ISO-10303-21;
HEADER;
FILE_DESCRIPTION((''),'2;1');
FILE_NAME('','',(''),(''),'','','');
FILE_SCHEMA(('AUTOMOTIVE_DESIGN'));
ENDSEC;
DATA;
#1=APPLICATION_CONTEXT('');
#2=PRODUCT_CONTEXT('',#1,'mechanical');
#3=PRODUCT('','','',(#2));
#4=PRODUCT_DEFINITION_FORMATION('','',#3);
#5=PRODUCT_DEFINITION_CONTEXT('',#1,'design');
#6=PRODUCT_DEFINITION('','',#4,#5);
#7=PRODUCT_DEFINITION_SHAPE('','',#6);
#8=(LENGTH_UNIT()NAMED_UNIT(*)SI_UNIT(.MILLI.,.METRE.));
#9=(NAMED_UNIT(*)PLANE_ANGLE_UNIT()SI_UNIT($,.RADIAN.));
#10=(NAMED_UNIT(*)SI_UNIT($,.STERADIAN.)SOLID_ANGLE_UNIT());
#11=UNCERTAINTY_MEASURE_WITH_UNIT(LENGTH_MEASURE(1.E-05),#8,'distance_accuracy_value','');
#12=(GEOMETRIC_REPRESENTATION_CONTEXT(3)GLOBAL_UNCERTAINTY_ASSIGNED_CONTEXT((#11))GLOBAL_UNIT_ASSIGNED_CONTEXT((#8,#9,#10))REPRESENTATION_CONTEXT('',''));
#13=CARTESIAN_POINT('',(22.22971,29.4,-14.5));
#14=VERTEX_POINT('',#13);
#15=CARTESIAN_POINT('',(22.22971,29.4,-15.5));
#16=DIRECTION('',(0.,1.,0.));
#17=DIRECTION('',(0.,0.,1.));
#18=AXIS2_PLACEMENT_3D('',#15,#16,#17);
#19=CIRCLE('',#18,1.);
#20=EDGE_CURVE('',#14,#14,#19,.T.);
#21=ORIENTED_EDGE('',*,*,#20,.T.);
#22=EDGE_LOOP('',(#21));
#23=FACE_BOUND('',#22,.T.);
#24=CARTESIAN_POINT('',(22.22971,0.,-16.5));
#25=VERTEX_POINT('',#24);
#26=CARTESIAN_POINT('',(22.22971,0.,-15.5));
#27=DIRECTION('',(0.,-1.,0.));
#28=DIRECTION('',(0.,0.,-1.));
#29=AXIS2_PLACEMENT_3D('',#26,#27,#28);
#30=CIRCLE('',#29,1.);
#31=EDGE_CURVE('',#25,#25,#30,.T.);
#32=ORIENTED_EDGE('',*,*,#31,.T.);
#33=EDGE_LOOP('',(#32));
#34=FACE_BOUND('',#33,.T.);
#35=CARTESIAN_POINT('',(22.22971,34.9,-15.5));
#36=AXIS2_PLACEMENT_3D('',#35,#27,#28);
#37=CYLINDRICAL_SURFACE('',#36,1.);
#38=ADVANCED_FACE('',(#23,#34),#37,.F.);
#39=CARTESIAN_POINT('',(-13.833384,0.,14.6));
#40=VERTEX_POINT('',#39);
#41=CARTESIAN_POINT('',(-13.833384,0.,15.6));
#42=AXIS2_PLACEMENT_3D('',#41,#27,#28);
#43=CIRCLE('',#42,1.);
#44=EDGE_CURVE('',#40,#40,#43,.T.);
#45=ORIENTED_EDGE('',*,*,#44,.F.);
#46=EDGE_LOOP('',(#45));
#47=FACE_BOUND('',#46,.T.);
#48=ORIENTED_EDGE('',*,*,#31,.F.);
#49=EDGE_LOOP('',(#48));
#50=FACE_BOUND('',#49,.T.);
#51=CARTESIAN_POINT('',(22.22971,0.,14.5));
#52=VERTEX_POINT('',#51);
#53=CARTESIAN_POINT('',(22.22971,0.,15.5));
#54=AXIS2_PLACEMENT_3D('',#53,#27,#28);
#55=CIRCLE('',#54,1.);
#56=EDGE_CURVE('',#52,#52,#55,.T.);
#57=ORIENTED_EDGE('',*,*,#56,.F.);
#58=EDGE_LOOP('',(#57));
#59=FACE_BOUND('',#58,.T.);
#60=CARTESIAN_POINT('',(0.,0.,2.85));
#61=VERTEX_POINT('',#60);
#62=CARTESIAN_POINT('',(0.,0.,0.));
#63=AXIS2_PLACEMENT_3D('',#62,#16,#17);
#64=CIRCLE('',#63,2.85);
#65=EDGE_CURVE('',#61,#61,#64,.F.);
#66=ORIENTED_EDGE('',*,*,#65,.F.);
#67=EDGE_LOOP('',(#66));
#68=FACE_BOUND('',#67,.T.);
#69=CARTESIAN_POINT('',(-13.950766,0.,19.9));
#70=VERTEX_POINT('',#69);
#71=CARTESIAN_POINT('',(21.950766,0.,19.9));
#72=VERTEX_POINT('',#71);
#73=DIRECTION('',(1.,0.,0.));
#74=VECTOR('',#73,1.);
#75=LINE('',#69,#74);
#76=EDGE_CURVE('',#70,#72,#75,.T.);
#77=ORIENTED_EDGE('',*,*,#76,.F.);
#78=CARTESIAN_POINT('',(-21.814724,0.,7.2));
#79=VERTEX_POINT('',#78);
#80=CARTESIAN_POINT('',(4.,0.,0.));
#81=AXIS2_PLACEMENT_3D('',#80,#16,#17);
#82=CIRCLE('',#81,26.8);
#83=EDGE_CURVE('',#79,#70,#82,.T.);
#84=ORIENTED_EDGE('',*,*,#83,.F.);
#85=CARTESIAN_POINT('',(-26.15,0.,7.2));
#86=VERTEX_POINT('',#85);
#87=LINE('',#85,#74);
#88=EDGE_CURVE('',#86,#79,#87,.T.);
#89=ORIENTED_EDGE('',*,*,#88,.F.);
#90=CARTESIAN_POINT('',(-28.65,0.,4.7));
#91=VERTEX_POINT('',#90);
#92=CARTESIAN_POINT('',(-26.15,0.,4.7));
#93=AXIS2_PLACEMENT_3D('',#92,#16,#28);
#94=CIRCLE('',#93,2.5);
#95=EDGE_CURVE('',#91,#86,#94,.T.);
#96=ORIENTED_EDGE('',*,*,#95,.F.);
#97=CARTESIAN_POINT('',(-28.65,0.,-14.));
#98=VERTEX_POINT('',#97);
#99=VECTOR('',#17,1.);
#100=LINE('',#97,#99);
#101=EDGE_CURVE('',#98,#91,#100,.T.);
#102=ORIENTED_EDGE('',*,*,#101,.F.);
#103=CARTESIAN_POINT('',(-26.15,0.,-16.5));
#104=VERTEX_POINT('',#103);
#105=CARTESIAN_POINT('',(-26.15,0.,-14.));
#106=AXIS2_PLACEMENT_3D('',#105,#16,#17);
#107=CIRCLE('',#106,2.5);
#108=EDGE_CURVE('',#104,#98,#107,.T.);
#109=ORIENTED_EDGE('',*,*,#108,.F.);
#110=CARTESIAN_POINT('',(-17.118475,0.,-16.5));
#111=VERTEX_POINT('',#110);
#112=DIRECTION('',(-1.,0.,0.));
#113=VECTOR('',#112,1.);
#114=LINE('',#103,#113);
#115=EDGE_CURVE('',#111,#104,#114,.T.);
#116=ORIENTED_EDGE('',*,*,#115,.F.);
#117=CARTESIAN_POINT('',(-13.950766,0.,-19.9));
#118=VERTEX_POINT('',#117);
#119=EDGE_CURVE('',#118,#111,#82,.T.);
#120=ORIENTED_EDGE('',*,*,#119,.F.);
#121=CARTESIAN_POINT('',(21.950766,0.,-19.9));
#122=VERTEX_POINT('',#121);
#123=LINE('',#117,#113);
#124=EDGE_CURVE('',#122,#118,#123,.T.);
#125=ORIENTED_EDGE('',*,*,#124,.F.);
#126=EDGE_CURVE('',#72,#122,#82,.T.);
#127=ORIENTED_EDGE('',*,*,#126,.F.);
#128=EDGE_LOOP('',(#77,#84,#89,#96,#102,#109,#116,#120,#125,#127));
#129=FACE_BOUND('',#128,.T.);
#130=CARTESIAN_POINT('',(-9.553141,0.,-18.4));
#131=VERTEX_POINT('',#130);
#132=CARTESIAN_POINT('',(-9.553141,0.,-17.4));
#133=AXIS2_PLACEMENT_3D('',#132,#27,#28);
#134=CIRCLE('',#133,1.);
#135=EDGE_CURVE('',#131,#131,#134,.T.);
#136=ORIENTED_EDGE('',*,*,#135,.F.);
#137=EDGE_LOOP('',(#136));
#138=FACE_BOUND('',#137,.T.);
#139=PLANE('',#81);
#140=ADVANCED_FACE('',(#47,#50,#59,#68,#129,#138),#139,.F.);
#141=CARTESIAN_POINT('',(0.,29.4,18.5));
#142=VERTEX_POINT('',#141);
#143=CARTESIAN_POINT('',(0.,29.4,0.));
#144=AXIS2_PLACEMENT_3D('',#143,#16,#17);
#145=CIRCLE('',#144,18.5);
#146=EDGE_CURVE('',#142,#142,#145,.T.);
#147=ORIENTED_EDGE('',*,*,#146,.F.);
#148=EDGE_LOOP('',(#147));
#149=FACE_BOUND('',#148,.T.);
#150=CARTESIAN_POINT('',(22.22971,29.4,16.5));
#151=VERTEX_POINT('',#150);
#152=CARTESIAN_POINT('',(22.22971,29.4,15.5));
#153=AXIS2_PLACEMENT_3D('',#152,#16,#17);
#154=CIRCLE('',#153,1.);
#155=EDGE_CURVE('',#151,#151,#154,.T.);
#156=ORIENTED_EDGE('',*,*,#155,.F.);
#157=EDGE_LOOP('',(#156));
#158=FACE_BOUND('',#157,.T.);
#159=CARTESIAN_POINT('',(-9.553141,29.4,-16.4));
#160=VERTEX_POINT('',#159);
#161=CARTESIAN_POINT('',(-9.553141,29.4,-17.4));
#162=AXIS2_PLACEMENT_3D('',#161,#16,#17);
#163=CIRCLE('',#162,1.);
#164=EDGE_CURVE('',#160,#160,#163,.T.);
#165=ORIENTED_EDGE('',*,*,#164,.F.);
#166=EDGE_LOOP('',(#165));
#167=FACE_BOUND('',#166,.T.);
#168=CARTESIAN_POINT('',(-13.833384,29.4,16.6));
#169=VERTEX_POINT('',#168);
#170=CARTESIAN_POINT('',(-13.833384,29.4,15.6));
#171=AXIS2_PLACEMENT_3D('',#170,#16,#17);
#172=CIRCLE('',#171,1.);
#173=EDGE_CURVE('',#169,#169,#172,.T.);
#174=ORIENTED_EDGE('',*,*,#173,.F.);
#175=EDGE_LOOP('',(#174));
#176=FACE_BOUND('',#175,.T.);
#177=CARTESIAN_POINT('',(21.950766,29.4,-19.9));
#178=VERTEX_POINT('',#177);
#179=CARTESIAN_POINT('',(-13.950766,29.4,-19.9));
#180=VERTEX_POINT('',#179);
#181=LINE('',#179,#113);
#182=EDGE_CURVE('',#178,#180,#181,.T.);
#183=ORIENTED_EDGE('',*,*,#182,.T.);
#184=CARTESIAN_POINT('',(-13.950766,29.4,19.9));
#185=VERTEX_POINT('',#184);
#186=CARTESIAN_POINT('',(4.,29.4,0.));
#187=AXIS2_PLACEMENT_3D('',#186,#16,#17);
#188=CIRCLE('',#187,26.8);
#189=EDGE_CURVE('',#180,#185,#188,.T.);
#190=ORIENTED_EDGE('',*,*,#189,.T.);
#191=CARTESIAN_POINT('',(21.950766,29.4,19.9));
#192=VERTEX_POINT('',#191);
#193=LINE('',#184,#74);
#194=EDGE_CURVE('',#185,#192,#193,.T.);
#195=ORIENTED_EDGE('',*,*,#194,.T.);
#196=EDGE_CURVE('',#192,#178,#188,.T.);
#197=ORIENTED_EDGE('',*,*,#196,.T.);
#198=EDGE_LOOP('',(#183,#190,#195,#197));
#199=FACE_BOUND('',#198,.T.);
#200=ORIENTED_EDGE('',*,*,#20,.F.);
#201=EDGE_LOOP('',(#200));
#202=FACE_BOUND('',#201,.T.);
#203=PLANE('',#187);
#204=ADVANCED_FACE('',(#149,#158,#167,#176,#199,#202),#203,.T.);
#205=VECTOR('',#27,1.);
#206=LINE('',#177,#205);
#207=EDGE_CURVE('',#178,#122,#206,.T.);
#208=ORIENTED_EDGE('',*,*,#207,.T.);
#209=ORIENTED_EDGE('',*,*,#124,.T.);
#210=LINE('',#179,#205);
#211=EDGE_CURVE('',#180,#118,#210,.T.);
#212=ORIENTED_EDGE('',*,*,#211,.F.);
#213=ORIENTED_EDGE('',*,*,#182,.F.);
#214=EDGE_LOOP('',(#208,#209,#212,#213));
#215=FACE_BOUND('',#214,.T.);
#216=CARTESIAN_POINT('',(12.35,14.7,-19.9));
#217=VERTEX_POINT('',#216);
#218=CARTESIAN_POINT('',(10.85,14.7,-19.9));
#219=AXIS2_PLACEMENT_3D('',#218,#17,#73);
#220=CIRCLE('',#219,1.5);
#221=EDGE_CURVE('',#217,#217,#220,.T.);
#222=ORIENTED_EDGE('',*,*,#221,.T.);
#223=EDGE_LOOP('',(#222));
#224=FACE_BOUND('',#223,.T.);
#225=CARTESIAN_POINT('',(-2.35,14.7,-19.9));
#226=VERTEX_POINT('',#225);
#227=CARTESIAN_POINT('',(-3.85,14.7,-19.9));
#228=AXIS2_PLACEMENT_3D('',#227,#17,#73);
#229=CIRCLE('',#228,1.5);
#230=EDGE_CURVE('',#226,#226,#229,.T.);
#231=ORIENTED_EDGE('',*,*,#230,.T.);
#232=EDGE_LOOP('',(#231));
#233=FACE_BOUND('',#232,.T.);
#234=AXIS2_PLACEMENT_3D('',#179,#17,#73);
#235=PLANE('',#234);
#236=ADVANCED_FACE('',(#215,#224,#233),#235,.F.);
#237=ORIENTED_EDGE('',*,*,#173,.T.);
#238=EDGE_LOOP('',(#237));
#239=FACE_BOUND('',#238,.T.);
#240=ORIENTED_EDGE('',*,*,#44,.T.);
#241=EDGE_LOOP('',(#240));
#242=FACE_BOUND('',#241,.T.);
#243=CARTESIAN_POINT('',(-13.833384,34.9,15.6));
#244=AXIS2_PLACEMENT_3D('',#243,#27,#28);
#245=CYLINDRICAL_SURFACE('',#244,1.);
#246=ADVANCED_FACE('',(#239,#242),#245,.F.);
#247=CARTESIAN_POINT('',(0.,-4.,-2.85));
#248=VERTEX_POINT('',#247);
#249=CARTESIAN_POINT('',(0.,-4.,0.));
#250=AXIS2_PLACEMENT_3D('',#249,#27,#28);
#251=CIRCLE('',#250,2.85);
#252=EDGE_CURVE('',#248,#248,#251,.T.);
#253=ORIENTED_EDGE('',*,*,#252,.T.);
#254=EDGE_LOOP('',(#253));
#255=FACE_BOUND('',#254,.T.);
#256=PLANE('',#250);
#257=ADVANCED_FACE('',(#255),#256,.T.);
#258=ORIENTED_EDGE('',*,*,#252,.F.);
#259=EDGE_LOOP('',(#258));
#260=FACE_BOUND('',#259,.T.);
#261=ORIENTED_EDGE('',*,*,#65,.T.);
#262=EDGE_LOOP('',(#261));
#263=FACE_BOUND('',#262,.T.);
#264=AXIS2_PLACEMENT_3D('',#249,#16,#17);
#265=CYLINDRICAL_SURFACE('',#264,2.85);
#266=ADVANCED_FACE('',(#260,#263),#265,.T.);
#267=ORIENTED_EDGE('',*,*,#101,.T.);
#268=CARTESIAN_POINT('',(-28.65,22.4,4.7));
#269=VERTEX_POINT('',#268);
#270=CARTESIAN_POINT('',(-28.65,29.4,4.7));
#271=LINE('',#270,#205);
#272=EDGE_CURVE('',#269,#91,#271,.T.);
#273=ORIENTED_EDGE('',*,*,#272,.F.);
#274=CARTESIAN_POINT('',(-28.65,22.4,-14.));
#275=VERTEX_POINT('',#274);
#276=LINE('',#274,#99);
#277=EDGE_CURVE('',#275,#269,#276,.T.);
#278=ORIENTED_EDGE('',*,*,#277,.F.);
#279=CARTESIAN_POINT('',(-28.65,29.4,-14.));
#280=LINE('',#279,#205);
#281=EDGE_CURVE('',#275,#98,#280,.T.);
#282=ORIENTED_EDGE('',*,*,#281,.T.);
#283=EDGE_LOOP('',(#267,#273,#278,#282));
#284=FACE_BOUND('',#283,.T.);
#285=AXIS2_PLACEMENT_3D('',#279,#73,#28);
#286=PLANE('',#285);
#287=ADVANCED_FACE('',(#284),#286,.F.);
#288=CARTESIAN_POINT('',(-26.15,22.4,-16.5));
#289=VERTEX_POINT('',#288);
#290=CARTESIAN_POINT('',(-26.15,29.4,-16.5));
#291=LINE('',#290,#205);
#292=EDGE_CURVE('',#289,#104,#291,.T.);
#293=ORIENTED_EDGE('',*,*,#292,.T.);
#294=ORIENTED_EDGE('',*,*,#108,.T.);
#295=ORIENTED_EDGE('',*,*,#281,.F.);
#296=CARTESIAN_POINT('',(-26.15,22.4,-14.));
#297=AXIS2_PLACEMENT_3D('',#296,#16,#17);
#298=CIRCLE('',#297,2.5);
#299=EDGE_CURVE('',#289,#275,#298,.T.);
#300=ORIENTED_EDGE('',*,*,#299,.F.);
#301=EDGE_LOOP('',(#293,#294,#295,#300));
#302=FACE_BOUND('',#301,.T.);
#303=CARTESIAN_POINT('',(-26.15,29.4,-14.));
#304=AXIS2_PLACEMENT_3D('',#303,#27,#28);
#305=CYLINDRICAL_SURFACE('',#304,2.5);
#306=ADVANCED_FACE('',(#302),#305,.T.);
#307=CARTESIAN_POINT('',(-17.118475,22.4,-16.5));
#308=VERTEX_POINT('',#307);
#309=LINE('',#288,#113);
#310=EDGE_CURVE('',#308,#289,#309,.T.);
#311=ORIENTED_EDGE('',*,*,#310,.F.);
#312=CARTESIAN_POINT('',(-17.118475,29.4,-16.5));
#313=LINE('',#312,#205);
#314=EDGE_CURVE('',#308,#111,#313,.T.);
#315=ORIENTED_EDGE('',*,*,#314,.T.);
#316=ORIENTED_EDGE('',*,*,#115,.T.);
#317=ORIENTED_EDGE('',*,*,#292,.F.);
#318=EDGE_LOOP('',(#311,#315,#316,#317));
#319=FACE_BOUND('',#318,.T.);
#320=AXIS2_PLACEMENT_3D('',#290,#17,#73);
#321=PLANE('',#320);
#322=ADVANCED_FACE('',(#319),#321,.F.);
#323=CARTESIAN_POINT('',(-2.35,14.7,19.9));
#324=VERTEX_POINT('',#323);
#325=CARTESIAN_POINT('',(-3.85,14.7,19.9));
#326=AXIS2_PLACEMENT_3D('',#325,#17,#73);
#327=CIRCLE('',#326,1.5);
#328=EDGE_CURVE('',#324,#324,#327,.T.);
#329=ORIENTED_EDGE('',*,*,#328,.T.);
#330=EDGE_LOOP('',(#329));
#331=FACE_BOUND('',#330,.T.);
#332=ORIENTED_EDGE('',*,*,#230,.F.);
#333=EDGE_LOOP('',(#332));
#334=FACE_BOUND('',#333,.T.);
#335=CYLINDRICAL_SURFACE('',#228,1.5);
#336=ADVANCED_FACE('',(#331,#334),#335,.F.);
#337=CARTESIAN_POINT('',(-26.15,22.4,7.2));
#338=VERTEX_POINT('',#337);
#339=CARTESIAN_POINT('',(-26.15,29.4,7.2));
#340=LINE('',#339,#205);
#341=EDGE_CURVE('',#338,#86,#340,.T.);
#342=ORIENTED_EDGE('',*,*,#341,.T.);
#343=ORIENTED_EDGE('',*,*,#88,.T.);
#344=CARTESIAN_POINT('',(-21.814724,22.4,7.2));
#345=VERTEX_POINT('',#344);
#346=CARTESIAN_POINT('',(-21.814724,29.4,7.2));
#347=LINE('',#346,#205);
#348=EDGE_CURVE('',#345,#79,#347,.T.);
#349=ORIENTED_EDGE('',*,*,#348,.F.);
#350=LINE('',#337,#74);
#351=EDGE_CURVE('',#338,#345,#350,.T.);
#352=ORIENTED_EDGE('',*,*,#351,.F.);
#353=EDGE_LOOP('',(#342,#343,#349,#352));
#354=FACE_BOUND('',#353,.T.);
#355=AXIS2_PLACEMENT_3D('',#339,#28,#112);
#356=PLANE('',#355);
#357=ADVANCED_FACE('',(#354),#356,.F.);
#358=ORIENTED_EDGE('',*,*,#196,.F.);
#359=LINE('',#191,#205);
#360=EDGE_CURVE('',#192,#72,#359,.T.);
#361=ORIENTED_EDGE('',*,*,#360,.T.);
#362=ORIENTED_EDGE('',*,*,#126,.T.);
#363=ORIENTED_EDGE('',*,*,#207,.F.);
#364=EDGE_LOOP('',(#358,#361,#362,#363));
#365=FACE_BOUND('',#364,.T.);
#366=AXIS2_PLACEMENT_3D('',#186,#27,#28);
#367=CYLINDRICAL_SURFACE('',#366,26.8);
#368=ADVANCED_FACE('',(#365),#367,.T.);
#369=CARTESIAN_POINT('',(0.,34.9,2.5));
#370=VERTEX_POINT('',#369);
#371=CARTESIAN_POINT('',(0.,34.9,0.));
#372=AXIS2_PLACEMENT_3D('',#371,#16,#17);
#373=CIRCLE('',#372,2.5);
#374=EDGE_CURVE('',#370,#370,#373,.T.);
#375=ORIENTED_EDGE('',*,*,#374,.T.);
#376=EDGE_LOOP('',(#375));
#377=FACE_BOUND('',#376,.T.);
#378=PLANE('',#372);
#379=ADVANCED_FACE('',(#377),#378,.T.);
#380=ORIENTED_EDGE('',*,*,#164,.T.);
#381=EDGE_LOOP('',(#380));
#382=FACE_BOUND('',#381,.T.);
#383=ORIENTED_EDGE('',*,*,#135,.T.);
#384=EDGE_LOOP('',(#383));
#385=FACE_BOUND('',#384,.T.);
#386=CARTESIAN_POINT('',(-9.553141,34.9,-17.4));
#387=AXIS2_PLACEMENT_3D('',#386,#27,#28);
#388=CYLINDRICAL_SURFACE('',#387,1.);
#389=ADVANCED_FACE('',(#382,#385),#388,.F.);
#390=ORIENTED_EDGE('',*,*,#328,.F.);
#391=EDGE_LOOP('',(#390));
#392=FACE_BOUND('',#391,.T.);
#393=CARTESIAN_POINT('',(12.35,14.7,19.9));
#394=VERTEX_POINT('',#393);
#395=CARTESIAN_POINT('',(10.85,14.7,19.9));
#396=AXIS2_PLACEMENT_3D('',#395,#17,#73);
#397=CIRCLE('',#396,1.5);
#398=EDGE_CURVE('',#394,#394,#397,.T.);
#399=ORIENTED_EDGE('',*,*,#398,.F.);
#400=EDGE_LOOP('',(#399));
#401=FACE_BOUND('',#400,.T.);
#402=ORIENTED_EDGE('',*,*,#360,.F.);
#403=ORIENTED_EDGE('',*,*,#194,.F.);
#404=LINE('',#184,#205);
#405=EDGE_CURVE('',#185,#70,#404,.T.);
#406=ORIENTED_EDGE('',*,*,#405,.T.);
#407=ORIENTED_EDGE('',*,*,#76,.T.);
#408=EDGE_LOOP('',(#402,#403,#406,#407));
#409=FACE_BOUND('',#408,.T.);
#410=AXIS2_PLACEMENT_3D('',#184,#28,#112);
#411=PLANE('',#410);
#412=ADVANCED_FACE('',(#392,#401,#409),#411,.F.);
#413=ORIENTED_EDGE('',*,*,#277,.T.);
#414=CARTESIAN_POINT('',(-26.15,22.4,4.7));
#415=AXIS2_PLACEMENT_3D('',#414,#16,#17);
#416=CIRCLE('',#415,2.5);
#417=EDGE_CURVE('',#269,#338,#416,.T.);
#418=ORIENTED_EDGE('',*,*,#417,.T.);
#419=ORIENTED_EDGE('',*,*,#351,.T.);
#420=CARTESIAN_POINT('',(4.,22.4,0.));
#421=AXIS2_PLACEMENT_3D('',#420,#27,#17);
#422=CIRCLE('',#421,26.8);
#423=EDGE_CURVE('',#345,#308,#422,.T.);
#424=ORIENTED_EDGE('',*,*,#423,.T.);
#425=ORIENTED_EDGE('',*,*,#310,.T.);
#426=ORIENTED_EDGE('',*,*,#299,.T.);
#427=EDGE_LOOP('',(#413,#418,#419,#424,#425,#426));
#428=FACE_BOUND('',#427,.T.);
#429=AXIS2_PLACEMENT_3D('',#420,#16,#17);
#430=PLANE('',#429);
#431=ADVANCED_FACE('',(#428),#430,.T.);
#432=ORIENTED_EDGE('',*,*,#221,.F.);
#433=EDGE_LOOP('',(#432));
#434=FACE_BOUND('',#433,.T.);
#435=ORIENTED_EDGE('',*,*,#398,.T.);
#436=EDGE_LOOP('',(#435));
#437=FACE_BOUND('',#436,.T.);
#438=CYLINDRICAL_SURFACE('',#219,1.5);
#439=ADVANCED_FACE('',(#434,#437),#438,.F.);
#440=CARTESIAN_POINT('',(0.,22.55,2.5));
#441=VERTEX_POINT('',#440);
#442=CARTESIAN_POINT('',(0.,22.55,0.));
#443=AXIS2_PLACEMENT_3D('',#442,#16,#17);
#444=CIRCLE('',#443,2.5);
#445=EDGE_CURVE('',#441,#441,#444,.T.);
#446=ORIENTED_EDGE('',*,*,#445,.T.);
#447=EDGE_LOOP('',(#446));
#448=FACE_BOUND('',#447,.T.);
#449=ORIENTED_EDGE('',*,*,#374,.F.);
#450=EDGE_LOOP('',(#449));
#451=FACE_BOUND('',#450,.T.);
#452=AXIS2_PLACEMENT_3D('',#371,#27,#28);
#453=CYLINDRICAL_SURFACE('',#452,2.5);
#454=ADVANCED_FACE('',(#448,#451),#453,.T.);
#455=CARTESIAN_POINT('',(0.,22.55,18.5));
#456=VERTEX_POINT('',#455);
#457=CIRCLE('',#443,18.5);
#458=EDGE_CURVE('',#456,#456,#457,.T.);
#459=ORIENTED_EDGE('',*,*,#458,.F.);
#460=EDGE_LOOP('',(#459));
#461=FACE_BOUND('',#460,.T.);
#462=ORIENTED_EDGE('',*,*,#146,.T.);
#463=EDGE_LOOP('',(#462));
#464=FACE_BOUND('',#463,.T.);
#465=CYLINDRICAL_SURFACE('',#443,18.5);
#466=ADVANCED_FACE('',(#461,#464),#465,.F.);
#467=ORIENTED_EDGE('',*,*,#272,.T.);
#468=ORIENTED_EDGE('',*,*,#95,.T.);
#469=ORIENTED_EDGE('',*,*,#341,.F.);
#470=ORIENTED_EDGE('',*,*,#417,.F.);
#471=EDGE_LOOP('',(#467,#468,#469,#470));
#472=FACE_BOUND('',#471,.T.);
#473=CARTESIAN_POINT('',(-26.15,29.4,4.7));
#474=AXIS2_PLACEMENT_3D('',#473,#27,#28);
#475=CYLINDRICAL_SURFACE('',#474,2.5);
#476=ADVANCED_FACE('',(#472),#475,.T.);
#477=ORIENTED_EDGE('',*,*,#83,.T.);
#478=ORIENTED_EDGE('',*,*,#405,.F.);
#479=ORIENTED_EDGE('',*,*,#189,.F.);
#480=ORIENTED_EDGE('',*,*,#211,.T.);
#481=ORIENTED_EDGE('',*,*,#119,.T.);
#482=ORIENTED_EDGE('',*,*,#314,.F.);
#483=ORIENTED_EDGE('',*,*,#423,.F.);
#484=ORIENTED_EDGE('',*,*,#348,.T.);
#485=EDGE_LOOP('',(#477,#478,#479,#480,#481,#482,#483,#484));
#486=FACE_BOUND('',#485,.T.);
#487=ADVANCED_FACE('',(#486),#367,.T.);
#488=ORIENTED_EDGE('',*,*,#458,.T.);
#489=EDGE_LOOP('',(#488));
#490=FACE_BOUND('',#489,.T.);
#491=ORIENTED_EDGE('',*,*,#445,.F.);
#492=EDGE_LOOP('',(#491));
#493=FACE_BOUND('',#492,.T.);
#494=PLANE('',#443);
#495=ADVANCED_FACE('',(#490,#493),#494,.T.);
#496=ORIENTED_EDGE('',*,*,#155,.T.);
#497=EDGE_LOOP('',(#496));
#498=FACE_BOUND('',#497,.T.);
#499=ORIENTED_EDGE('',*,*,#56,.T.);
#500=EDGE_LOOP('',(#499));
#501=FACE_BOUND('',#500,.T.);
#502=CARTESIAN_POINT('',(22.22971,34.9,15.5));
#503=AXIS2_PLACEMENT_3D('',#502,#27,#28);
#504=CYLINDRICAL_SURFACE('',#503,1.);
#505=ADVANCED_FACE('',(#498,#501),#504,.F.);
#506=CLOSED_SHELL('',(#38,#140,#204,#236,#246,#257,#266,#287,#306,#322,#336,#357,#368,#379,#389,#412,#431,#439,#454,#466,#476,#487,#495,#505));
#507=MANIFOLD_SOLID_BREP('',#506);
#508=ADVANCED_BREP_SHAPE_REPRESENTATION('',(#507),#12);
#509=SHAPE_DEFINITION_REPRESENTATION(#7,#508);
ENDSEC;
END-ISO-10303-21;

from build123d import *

# Parameters (mm, degrees)
BOSS_EXTRUDE1_DEPTH = 29.4
SKETCH2_R           = 18.5
CUT_EXTRUDE1_DEPTH  = 6.85
SKETCH3_R           = 2.5
BOSS_EXTRUDE2_DEPTH = 12.35
SKETCH4_R           = 2.85
BOSS_EXTRUDE3_DEPTH = 4
CUT_EXTRUDE3_DEPTH  = 7
SKETCH6_R           = 1.5
CUT_EXTRUDE4_DEPTH  = 40.8
SKETCH7_R           = 1
CUT_EXTRUDE5_DEPTH  = 35.9


with BuildPart() as part:
    # Sketch1 → Boss-Extrude1 (new body)
    with BuildSketch(Plane(origin=(0, 0, 0), x_dir=(1, 0, 0), z_dir=(0, 1, 0))):
        with BuildLine():
            Line((-13.950766, 19.9), (21.950766, 19.9))
            ThreePointArc((21.950766, 19.9), (30.8, 0), (21.950766, -19.9))
            Line((21.950766, -19.9), (-13.950766, -19.9))
            ThreePointArc((-13.950766, -19.9), (-18.785456749, -14.108967388), (-21.81472448, -7.2))
            Line((-21.81472448, -7.2), (-26.15, -7.2))
            ThreePointArc((-26.15, -7.2), (-27.917766953, -6.467766953), (-28.65, -4.7))
            Line((-28.65, -4.7), (-28.65, 14))
            ThreePointArc((-28.65, 14), (-27.917766953, 15.767766953), (-26.15, 16.5))
            Line((-26.15, 16.5), (-17.118475324, 16.5))
            ThreePointArc((-17.118475324, 16.5), (-15.608452372, 18.268787469), (-13.950766, 19.9))
        make_face()
    extrude(amount=BOSS_EXTRUDE1_DEPTH)

    # Sketch2 → Cut-Extrude1 (cut)
    with BuildSketch(Plane(origin=(0, 29.4, 0), x_dir=(1, 0, 0), z_dir=(0, 1, 0))):
        Circle(SKETCH2_R)
    extrude(amount=-CUT_EXTRUDE1_DEPTH, mode=Mode.SUBTRACT)

    # Sketch3 → Boss-Extrude2 (add)
    with BuildSketch(Plane(origin=(0, 22.55, 0), x_dir=(1, 0, 0), z_dir=(0, 1, 0))):
        Circle(SKETCH3_R)
    extrude(amount=BOSS_EXTRUDE2_DEPTH)

    # Sketch4 → Boss-Extrude3 (add)
    with BuildSketch(Plane.XZ):
        Circle(SKETCH4_R)
    extrude(amount=BOSS_EXTRUDE3_DEPTH)

    # Sketch5 → Cut-Extrude3 (cut)
    with BuildSketch(Plane(origin=(0, 29.4, 0), x_dir=(1, 0, 0), z_dir=(0, 1, 0))):
        with BuildLine():
            Line((-29.993194127, 17.400116254), (-16.38322728, 17.400116254))
            ThreePointArc((-16.38322728, 17.400116254), (-22.242311501, 5.438849795), (-21.619709811, -7.86577836))
            Line((-21.619709811, -7.86577836), (-29.993194127, -7.86577836))
            Line((-29.993194127, -7.86577836), (-29.993194127, 17.400116254))
        make_face()
    extrude(amount=-CUT_EXTRUDE3_DEPTH, mode=Mode.SUBTRACT)

    # Sketch6 → Cut-Extrude4 (cut, through all)
    with BuildSketch(Plane.XY.offset(19.9)):
        with Locations((-3.85, 14.7)):
            Circle(SKETCH6_R)
        with Locations((10.85, 14.7)):
            Circle(SKETCH6_R)
    extrude(amount=-CUT_EXTRUDE4_DEPTH, mode=Mode.SUBTRACT)

    # Sketch7 → Cut-Extrude5 (cut, through all)
    with BuildSketch(Plane.XZ):
        with Locations((-13.833383534, 15.6)):
            Circle(SKETCH7_R)
        with Locations((22.22970985, 15.5)):
            Circle(SKETCH7_R)
        with Locations((22.22970985, -15.5)):
            Circle(SKETCH7_R)
        with Locations((-9.553140845, -17.4)):
            Circle(SKETCH7_R)
    extrude(amount=-CUT_EXTRUDE5_DEPTH, mode=Mode.SUBTRACT)


solid = part.part
